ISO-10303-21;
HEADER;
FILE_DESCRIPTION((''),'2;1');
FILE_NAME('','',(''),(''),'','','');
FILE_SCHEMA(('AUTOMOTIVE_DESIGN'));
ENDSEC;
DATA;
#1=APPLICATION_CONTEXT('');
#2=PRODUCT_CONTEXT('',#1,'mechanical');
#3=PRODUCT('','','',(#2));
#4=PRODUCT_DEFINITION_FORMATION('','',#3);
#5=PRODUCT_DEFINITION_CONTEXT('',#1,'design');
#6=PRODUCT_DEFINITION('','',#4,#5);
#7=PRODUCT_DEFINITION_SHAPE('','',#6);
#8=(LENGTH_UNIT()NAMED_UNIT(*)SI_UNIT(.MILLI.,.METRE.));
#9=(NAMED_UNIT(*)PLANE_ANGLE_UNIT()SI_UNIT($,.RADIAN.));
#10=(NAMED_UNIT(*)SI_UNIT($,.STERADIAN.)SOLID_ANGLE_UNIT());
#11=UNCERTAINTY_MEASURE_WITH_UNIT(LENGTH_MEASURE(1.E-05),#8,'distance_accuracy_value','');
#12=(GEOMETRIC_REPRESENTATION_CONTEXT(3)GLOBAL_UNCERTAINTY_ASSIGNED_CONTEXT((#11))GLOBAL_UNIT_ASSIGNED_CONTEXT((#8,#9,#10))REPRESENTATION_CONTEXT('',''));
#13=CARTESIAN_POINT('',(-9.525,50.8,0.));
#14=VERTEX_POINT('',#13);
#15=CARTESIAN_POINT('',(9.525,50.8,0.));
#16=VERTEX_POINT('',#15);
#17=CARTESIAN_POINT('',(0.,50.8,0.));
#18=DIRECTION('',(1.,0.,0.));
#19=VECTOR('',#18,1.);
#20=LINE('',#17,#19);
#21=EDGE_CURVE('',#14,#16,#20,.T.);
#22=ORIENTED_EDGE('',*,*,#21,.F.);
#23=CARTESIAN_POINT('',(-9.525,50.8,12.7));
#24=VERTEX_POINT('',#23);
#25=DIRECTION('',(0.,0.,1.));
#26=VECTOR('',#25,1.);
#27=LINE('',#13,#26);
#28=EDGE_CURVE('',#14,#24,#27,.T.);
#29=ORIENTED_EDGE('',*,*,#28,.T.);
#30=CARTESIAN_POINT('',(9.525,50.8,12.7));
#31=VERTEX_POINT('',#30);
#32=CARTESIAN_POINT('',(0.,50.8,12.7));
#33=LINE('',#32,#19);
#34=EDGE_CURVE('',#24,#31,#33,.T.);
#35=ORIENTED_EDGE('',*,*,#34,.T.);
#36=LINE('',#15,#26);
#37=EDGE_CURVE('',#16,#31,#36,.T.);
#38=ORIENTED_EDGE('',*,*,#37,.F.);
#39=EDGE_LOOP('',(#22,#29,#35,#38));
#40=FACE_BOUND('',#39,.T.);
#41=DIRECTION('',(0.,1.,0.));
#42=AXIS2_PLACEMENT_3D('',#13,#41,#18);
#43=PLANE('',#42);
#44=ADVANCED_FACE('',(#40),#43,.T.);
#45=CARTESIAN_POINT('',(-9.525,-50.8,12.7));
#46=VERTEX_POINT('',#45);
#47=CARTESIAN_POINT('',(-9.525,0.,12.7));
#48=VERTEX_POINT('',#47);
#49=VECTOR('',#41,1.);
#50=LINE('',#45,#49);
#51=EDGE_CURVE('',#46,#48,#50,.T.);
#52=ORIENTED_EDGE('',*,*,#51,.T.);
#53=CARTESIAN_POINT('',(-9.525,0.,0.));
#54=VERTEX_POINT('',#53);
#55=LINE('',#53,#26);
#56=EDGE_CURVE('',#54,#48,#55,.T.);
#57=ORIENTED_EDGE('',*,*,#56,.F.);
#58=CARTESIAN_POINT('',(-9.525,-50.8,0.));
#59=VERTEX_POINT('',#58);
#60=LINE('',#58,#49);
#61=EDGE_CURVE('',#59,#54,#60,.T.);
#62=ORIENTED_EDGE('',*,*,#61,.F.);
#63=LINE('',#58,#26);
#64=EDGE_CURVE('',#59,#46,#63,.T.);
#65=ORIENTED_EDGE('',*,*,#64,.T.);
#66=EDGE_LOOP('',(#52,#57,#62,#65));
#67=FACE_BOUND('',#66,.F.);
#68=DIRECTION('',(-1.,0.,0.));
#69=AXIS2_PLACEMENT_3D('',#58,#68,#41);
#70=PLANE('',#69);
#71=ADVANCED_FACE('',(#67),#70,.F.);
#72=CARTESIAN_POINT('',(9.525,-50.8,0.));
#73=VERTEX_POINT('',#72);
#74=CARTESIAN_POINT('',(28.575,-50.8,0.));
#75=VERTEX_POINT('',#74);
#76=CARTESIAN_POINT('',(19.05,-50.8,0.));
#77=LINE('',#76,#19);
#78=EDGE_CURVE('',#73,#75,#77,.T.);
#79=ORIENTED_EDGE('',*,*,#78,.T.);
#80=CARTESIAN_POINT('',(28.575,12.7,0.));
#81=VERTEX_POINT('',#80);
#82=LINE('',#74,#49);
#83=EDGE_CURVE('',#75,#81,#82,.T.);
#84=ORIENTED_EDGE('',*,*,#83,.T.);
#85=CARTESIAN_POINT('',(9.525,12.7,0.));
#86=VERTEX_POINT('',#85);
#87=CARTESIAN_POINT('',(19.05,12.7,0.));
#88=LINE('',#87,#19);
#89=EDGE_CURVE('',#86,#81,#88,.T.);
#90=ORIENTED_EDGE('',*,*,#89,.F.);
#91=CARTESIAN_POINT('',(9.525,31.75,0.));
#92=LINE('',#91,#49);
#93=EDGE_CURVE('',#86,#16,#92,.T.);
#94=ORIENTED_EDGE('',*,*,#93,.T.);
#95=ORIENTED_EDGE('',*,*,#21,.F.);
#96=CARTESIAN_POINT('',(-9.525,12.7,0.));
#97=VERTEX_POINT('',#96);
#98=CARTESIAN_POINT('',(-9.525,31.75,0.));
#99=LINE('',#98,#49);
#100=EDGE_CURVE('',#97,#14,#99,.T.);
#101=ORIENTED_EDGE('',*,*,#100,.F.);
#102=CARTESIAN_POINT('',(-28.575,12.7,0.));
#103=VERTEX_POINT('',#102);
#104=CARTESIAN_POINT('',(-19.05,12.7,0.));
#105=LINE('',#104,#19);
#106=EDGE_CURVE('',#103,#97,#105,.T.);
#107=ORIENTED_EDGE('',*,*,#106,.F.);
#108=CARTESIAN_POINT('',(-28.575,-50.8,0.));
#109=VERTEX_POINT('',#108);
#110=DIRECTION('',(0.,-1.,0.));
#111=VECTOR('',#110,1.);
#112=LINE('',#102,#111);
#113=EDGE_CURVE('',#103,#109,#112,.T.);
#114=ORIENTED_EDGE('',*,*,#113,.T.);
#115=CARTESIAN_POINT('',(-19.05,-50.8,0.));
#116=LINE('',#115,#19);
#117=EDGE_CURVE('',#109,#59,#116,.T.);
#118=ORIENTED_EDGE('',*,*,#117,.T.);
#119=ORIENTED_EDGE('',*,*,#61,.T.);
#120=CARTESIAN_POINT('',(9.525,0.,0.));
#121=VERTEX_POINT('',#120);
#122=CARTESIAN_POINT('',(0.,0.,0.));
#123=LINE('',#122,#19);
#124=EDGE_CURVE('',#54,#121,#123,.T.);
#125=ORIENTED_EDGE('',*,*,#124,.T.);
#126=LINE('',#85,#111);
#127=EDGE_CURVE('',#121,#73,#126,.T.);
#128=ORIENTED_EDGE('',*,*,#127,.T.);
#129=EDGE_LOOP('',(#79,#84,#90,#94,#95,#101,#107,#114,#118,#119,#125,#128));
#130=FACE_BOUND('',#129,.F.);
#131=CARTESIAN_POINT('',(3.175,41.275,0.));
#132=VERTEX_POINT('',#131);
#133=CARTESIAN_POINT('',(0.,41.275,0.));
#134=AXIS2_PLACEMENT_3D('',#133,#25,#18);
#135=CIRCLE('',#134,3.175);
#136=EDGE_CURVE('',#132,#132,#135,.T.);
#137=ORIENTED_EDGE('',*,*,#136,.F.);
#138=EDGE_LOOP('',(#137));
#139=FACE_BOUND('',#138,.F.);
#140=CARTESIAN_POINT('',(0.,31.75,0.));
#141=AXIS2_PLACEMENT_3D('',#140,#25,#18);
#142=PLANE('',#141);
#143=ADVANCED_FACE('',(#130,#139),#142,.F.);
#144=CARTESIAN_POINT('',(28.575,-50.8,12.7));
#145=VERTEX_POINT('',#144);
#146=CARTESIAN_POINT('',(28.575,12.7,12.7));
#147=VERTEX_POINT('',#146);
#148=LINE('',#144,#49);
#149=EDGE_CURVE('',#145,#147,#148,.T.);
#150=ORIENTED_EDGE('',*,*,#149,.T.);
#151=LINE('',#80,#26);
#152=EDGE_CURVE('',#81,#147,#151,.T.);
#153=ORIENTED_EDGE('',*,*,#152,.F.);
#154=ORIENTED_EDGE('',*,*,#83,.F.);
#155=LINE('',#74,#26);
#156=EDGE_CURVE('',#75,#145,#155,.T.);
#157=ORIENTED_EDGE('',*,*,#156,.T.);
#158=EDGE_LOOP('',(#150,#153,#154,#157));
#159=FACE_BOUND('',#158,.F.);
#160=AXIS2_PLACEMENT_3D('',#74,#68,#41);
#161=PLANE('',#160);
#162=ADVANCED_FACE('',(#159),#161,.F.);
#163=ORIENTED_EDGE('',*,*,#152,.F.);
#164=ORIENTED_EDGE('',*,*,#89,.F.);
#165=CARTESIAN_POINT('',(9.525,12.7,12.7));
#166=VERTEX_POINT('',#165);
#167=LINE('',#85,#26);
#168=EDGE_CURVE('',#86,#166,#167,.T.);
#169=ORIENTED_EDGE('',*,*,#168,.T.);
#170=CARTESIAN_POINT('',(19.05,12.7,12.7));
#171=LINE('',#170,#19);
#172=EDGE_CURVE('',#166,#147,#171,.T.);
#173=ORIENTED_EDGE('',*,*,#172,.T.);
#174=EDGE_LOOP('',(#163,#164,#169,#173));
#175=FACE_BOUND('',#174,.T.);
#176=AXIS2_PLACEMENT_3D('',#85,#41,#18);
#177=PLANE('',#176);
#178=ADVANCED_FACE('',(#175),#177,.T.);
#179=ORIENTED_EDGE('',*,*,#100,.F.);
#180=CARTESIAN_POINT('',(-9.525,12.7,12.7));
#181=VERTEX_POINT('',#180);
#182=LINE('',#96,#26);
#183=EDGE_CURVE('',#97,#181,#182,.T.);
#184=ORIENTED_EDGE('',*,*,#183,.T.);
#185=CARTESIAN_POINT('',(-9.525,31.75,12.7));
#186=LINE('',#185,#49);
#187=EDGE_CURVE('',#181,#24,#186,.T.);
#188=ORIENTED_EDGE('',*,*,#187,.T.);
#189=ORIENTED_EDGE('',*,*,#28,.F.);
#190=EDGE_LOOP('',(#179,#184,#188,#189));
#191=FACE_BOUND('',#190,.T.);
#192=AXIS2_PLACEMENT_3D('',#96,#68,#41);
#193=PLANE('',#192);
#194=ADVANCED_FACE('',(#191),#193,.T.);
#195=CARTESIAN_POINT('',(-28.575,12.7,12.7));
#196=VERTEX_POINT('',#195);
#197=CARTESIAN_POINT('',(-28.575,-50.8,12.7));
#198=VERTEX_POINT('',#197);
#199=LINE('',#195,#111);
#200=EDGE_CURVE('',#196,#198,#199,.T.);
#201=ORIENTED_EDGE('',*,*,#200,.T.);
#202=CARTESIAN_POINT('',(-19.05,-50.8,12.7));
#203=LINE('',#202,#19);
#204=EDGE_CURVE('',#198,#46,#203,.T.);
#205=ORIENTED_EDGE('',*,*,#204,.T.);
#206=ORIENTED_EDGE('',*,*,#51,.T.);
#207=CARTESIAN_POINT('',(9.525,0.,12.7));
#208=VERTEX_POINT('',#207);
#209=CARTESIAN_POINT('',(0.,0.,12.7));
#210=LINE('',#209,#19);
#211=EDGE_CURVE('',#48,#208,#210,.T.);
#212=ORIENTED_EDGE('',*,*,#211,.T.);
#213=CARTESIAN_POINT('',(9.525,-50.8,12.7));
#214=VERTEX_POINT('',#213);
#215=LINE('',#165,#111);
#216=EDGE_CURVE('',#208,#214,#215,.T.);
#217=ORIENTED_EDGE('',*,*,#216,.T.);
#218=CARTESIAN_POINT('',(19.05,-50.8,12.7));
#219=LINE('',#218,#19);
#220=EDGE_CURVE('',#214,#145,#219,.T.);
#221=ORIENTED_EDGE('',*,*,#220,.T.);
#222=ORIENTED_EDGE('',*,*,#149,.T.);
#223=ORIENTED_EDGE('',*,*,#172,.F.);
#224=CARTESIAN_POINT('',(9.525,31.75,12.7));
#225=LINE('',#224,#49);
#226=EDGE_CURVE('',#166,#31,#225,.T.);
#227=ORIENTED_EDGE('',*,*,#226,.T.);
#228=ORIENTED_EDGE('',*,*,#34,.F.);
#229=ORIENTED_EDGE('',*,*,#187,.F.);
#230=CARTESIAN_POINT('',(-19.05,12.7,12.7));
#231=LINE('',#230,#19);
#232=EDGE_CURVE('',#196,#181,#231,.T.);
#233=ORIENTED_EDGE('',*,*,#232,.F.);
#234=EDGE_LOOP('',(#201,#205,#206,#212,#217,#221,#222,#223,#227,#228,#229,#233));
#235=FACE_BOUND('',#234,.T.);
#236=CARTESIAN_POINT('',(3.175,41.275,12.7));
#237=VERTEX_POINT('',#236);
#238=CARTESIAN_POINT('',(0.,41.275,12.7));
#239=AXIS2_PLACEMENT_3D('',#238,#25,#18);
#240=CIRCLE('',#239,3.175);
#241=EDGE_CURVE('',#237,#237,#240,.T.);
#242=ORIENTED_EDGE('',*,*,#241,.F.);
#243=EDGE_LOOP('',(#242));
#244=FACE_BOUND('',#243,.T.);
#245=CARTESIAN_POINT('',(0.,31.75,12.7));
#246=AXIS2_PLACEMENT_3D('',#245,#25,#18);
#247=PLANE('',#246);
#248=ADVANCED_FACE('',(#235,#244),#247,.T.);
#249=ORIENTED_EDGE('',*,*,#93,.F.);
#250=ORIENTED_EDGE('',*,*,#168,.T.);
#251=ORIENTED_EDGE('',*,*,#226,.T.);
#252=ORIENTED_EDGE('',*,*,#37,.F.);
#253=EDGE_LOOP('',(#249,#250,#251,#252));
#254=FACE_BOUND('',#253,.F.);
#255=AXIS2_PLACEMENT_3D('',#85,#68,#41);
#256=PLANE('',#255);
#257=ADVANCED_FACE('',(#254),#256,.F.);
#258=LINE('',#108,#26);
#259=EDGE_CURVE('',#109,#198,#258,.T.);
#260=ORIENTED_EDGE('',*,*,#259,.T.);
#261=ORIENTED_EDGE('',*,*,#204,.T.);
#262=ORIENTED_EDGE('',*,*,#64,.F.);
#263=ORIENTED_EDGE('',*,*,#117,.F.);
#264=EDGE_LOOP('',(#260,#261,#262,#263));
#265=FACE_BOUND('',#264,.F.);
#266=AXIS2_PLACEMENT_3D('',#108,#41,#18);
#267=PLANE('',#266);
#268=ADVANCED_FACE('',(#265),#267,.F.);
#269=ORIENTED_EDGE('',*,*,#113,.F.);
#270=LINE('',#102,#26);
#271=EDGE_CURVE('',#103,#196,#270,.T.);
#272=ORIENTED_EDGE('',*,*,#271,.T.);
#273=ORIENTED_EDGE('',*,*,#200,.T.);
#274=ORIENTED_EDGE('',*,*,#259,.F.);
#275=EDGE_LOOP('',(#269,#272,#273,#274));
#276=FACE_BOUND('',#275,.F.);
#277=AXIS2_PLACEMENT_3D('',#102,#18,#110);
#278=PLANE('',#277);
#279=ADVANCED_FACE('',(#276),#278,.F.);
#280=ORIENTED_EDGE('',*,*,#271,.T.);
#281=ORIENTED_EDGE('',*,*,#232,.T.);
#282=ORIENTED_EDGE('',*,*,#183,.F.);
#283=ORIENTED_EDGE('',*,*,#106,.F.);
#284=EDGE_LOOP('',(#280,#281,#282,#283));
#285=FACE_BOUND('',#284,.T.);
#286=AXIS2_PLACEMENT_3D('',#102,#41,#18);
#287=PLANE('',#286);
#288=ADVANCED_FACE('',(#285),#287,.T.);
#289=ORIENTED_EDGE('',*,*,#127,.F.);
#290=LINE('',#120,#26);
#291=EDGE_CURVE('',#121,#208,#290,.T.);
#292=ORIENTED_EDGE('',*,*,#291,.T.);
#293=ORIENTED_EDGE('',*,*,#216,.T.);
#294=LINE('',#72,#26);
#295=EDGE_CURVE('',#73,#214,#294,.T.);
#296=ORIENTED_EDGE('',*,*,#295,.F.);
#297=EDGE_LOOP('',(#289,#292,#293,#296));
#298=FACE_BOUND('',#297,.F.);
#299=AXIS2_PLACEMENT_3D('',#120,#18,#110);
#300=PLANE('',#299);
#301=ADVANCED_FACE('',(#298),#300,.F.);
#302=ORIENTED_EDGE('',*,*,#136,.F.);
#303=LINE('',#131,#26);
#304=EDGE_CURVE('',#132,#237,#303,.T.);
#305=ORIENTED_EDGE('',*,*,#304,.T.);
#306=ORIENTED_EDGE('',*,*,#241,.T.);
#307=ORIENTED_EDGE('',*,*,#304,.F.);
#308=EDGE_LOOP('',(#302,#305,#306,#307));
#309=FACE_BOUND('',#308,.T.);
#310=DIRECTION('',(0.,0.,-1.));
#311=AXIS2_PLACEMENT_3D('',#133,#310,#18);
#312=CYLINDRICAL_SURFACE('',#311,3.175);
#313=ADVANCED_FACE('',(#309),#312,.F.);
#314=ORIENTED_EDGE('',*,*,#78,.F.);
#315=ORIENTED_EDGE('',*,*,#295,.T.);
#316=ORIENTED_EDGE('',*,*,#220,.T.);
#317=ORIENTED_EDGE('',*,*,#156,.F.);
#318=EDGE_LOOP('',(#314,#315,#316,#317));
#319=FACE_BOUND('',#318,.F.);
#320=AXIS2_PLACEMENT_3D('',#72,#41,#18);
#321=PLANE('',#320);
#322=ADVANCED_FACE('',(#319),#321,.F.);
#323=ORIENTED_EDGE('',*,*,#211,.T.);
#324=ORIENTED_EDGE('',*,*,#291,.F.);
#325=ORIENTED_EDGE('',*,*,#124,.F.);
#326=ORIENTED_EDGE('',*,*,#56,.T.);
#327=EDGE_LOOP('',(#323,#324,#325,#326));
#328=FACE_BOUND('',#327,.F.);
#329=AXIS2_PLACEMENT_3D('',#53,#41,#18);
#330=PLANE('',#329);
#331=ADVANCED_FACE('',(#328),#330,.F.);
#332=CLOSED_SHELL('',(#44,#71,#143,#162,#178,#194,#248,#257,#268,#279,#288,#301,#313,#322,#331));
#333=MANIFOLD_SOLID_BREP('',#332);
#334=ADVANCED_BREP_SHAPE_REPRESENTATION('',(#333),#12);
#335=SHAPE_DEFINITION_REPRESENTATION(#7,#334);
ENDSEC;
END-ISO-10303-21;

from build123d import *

# Parameters (mm, degrees)
F0_W     = 19.05
F0_H     = 38.1
F0_R     = 3.175
F0_H_2   = 12.7
F0_H_3   = 50.8
F1_DEPTH = 12.7


with BuildPart() as f1:
    # F0 (on Top) → F1 (new body)
    with BuildSketch(Plane.XY):
        with Locations((0, 31.75)):
            Rectangle(F0_W, F0_H)
        with Locations((0, 41.275)):
            Circle(F0_R, mode=Mode.SUBTRACT)
        with Locations((-19.05, 6.35)):
            Rectangle(F0_W, F0_H_2)
        with Locations((-19.05, -25.4)):
            Rectangle(F0_W, F0_H_3)
        with Locations((19.05, 6.35)):
            Rectangle(F0_W, F0_H_2)
        with Locations((19.05, -25.4)):
            Rectangle(F0_W, F0_H_3)
        with Locations((0, 6.35)):
            Rectangle(F0_W, F0_H_2)
    extrude(amount=F1_DEPTH)


solid = f1.part
